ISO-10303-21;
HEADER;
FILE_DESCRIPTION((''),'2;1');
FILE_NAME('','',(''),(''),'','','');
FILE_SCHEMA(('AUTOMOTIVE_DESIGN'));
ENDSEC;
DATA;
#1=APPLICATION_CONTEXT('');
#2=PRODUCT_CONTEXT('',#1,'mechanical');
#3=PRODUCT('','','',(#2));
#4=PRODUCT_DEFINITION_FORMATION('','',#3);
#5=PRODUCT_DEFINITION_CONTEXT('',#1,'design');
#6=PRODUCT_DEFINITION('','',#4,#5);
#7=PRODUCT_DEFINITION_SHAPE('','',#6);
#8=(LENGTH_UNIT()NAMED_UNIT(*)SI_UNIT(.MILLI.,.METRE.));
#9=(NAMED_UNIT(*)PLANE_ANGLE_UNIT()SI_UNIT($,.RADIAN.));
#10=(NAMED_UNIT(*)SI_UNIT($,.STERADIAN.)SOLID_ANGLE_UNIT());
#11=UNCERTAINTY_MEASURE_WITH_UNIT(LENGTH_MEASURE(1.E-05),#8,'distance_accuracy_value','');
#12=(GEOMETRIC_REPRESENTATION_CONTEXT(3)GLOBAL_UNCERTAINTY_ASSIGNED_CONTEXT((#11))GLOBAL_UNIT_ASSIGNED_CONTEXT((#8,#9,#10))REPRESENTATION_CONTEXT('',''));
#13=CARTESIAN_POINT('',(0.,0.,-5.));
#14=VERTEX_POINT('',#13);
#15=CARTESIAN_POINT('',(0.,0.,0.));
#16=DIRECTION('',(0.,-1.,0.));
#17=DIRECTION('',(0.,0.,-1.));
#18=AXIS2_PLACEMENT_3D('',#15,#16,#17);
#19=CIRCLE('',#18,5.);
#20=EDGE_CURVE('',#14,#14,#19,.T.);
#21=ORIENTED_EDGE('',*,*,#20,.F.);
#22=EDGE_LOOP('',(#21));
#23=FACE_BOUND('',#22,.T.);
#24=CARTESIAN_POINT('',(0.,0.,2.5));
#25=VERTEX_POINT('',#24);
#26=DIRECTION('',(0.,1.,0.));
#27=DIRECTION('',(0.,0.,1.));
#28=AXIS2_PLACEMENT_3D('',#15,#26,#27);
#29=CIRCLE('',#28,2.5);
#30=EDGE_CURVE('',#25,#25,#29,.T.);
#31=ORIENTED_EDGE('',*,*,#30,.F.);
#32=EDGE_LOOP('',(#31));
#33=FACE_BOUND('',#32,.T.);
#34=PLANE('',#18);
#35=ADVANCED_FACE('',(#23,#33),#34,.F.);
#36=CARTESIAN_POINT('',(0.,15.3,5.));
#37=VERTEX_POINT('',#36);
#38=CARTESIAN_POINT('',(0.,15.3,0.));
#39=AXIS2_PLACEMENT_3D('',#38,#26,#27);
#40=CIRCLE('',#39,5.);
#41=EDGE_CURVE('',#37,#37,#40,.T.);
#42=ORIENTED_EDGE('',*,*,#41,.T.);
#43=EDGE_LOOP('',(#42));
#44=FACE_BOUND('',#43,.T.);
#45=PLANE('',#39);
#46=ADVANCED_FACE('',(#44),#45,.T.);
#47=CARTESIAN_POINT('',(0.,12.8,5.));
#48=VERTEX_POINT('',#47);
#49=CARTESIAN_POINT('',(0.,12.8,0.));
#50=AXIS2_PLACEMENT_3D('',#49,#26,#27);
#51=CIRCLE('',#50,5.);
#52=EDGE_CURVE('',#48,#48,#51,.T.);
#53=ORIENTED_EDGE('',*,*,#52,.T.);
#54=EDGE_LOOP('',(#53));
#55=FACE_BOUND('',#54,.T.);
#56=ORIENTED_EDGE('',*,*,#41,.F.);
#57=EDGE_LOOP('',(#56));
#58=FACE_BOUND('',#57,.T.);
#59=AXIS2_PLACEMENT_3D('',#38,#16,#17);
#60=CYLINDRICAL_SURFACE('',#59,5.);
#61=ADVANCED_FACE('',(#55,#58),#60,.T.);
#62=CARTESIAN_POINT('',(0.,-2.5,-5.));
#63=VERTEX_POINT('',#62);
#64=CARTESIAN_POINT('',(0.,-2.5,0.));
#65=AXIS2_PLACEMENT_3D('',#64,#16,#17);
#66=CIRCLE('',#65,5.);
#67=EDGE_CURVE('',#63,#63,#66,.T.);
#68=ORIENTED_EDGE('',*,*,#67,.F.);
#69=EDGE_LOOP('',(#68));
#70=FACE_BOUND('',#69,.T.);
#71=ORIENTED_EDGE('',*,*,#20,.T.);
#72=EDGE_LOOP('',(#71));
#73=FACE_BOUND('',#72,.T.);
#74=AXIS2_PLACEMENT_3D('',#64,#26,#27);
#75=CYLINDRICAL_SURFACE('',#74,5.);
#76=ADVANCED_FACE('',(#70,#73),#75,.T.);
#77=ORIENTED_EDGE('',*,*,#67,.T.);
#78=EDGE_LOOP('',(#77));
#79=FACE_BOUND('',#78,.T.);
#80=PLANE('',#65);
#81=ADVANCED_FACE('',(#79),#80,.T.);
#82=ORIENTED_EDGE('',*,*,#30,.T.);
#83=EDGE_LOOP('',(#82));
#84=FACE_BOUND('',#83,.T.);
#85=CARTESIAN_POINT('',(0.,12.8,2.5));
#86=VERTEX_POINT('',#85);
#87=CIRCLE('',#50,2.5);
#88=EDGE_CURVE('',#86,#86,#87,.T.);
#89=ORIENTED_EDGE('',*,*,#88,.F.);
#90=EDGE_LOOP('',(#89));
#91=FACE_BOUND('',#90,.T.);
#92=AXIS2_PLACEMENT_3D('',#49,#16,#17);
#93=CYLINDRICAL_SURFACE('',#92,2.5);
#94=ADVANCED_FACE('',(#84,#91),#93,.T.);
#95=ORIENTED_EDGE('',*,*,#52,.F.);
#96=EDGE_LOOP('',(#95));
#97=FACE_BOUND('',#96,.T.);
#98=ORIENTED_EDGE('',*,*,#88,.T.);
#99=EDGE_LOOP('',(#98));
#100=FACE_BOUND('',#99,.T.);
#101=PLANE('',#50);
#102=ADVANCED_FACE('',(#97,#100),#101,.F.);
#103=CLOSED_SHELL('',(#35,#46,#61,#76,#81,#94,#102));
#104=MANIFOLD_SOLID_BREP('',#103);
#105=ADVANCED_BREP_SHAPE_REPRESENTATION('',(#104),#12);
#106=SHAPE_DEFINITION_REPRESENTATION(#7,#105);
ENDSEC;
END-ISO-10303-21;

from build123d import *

# Parameters (mm, degrees)
SKETCH1_R           = 2.5
BOSS_EXTRUDE1_DEPTH = 12.8
SKETCH2_R           = 5
BOSS_EXTRUDE2_DEPTH = 2.5
SKETCH3_R           = 5
BOSS_EXTRUDE3_DEPTH = 2.5


with BuildPart() as part:
    # Sketch1 → Boss-Extrude1 (new body)
    with BuildSketch(Plane(origin=(0, 0, 0), x_dir=(1, 0, 0), z_dir=(0, 1, 0))):
        Circle(SKETCH1_R)
    extrude(amount=BOSS_EXTRUDE1_DEPTH)

    # Sketch2 → Boss-Extrude2 (add)
    with BuildSketch(Plane(origin=(0, 12.8, 0), x_dir=(1, 0, 0), z_dir=(0, 1, 0))):
        Circle(SKETCH2_R)
    extrude(amount=BOSS_EXTRUDE2_DEPTH)

    # Sketch3 → Boss-Extrude3 (add)
    with BuildSketch(Plane(origin=(0, 0, 0), x_dir=(-1, 0, 0), z_dir=(0, -1, 0))):
        Circle(SKETCH3_R)
    extrude(amount=BOSS_EXTRUDE3_DEPTH)


solid = part.part
